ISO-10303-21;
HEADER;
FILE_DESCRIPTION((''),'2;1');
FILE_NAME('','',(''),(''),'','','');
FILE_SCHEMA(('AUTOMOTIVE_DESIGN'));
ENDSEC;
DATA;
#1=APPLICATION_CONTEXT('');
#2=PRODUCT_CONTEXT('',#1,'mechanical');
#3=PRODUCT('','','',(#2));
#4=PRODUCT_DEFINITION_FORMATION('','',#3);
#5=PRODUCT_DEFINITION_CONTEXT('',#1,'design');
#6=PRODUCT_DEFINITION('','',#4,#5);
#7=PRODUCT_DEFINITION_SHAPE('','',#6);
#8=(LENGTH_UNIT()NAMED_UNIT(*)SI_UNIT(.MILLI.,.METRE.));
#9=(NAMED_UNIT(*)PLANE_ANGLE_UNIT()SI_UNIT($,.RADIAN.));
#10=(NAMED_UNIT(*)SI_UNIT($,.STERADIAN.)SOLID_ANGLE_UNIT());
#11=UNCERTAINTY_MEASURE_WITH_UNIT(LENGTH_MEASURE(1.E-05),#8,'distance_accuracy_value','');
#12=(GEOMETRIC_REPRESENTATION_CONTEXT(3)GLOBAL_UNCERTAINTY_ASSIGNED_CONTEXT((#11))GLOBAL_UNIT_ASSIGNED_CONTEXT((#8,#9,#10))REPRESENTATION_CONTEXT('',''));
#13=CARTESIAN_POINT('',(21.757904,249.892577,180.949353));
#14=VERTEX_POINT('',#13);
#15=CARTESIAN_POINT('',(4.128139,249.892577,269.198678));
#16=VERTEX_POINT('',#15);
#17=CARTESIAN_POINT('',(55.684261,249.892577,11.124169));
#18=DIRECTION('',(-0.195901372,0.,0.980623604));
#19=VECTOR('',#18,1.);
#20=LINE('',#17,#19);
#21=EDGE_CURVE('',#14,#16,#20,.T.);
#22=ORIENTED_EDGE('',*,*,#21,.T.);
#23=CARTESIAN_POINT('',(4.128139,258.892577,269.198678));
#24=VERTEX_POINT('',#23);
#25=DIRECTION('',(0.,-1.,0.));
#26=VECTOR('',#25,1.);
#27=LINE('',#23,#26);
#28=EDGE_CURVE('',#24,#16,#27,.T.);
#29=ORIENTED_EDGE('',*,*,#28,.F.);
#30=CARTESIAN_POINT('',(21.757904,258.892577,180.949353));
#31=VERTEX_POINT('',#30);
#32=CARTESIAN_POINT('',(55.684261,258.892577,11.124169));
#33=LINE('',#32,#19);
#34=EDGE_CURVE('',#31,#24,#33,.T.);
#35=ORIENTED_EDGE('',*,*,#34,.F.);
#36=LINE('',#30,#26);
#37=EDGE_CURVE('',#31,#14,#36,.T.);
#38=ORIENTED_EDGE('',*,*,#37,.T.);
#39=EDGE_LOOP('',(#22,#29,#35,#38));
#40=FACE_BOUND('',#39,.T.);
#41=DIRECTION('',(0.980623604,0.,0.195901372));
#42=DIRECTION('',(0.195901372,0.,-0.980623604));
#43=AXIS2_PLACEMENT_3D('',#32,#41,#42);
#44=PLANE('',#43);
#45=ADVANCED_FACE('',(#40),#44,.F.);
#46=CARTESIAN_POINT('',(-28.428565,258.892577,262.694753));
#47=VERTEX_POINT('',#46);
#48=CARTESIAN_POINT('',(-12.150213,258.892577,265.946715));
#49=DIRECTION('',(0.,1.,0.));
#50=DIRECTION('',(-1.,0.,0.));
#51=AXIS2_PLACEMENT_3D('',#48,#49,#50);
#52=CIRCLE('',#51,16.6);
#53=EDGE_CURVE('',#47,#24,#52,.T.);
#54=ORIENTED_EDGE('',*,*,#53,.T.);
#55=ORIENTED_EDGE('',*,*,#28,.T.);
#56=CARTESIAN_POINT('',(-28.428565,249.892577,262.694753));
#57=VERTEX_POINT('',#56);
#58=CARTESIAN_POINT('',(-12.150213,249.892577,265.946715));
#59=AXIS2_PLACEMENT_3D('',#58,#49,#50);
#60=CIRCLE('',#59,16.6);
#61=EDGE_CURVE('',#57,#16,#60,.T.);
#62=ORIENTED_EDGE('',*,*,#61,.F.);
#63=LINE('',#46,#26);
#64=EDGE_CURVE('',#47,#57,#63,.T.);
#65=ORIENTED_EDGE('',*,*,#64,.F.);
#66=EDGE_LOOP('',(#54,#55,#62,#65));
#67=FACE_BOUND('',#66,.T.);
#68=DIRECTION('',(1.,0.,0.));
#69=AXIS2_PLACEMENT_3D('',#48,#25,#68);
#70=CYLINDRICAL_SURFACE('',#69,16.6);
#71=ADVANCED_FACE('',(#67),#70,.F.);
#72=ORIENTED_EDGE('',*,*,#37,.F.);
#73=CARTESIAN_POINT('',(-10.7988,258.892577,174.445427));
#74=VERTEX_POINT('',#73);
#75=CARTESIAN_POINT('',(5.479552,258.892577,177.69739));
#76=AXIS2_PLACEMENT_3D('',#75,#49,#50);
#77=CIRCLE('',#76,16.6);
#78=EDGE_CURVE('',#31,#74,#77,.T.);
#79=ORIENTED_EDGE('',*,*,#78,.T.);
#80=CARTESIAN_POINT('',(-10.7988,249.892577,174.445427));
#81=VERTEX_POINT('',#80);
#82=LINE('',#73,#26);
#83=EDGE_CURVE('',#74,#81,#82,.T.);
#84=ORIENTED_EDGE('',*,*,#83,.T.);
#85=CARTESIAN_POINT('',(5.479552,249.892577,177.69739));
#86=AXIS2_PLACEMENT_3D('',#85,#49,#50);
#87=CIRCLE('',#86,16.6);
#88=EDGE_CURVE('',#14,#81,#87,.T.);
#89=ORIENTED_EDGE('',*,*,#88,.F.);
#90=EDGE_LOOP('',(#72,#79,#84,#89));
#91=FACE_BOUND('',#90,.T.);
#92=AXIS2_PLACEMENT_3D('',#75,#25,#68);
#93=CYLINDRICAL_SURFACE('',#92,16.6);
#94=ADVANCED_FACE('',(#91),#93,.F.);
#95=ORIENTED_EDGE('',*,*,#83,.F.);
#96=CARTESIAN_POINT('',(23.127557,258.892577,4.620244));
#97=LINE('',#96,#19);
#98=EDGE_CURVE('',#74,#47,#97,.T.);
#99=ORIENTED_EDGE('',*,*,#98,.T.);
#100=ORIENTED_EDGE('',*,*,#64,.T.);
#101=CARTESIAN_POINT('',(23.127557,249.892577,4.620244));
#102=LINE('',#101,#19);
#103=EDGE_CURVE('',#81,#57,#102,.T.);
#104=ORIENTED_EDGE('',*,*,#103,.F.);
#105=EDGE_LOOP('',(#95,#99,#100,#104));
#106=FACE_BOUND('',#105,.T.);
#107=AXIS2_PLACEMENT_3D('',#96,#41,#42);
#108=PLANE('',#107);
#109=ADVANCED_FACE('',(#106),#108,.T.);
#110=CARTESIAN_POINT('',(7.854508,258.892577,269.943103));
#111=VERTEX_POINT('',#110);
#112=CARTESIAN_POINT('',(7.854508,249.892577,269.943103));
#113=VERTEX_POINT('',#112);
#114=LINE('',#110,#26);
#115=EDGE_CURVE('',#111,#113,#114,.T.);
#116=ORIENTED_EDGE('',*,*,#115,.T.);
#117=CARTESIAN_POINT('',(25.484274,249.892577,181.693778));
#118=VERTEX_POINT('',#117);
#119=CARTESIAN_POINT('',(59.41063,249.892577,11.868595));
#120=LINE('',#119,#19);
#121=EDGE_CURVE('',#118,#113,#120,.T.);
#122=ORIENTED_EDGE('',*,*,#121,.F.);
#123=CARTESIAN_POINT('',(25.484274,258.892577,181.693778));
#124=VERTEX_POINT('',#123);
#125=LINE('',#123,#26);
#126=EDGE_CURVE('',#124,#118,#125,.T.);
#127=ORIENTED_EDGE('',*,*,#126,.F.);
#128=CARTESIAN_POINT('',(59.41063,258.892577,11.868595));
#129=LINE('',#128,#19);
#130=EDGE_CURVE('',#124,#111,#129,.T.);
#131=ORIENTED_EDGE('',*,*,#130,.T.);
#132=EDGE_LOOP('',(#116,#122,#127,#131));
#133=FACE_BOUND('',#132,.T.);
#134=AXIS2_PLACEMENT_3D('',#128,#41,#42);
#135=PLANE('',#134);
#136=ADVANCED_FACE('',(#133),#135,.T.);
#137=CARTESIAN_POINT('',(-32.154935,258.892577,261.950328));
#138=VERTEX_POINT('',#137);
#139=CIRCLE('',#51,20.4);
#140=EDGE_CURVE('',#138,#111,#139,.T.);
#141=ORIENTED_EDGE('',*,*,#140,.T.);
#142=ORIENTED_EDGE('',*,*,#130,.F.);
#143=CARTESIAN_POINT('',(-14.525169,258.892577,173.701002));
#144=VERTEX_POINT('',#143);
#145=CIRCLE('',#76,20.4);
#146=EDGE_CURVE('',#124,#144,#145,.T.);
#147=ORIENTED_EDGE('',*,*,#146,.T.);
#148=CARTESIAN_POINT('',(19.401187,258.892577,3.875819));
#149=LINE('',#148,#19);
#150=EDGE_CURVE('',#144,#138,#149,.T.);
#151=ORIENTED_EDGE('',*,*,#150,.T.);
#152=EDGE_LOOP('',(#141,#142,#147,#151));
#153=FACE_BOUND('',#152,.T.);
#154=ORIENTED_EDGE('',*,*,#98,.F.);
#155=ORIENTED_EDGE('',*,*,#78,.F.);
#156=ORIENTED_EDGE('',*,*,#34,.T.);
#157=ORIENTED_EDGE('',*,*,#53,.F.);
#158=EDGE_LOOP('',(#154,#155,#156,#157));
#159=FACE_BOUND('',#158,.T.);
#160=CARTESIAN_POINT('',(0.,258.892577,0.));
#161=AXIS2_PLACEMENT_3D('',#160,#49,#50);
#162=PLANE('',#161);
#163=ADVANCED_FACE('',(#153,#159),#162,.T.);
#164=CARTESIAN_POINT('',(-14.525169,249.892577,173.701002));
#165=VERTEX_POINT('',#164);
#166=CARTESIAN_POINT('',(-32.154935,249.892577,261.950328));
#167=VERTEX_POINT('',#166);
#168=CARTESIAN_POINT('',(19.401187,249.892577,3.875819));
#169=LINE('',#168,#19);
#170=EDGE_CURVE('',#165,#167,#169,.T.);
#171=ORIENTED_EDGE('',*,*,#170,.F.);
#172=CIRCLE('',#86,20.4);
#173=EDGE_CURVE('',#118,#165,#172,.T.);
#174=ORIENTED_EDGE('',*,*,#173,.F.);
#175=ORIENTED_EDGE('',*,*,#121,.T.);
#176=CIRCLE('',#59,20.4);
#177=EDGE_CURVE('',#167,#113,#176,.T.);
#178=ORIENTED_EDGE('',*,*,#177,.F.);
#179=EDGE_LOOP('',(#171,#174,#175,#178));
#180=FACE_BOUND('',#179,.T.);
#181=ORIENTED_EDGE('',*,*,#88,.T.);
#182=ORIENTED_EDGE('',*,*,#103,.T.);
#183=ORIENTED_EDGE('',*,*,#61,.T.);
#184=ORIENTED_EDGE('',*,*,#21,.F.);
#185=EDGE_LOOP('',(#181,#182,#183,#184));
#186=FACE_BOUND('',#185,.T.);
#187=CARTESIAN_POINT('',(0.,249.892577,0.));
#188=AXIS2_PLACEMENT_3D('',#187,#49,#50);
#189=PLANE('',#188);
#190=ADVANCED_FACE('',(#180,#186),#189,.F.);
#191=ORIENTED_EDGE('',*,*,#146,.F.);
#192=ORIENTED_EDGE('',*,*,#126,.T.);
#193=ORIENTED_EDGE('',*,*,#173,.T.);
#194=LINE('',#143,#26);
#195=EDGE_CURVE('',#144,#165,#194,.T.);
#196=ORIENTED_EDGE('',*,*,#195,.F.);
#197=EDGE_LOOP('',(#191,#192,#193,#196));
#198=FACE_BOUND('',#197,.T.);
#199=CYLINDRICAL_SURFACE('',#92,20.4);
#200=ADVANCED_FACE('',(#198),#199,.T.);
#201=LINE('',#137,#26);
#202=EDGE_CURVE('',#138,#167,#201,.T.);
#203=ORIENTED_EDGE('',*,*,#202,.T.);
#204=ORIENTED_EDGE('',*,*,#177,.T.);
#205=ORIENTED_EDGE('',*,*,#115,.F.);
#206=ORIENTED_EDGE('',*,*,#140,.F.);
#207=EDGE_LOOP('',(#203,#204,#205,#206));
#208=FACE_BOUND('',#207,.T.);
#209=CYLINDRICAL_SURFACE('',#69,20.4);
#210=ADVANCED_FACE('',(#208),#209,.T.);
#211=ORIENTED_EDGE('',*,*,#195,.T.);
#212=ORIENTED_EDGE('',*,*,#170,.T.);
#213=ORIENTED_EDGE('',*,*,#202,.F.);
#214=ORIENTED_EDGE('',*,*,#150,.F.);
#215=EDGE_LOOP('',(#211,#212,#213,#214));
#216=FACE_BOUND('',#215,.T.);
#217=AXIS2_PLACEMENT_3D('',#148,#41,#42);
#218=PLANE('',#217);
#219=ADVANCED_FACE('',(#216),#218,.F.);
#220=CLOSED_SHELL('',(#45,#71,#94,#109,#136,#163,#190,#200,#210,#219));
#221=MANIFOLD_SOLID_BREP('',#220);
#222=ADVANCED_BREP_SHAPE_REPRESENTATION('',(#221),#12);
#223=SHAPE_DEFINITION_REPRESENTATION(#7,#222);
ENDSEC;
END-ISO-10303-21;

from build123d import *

# Parameters (mm, degrees)
BOSS_EXTRUDE1_DEPTH = 4.5


with BuildPart() as part:
    # Sketch1 → Boss-Extrude1 (new, symmetric)
    with BuildSketch(Plane(origin=(0, 254.392577481, 0), x_dir=(1, 0, 0), z_dir=(0, 1, 0))):
        with BuildLine():
            Line((25.484273554, -181.693777747), (7.854508283, -269.943103479))
            ThreePointArc((7.854508283, -269.943103479), (-16.146601218, -285.951437018), (-32.154934757, -261.950327517))
            Line((-32.154934757, -261.950327517), (-14.525169486, -173.701001785))
            ThreePointArc((-14.525169486, -173.701001785), (9.475940015, -157.692668245), (25.484273554, -181.693777747))
        make_face()
        with BuildLine():
            ThreePointArc((21.757903859, -180.949352535), (8.731514803, -161.41903794), (-10.798799791, -174.445426997))
            Line((-10.798799791, -174.445426997), (-28.428565062, -262.694752729))
            ThreePointArc((-28.428565062, -262.694752729), (-15.402176006, -282.225067323), (4.128138588, -269.198678267))
            Line((4.128138588, -269.198678267), (21.757903859, -180.949352535))
        make_face(mode=Mode.SUBTRACT)
    extrude(amount=BOSS_EXTRUDE1_DEPTH, both=True)


solid = part.part
